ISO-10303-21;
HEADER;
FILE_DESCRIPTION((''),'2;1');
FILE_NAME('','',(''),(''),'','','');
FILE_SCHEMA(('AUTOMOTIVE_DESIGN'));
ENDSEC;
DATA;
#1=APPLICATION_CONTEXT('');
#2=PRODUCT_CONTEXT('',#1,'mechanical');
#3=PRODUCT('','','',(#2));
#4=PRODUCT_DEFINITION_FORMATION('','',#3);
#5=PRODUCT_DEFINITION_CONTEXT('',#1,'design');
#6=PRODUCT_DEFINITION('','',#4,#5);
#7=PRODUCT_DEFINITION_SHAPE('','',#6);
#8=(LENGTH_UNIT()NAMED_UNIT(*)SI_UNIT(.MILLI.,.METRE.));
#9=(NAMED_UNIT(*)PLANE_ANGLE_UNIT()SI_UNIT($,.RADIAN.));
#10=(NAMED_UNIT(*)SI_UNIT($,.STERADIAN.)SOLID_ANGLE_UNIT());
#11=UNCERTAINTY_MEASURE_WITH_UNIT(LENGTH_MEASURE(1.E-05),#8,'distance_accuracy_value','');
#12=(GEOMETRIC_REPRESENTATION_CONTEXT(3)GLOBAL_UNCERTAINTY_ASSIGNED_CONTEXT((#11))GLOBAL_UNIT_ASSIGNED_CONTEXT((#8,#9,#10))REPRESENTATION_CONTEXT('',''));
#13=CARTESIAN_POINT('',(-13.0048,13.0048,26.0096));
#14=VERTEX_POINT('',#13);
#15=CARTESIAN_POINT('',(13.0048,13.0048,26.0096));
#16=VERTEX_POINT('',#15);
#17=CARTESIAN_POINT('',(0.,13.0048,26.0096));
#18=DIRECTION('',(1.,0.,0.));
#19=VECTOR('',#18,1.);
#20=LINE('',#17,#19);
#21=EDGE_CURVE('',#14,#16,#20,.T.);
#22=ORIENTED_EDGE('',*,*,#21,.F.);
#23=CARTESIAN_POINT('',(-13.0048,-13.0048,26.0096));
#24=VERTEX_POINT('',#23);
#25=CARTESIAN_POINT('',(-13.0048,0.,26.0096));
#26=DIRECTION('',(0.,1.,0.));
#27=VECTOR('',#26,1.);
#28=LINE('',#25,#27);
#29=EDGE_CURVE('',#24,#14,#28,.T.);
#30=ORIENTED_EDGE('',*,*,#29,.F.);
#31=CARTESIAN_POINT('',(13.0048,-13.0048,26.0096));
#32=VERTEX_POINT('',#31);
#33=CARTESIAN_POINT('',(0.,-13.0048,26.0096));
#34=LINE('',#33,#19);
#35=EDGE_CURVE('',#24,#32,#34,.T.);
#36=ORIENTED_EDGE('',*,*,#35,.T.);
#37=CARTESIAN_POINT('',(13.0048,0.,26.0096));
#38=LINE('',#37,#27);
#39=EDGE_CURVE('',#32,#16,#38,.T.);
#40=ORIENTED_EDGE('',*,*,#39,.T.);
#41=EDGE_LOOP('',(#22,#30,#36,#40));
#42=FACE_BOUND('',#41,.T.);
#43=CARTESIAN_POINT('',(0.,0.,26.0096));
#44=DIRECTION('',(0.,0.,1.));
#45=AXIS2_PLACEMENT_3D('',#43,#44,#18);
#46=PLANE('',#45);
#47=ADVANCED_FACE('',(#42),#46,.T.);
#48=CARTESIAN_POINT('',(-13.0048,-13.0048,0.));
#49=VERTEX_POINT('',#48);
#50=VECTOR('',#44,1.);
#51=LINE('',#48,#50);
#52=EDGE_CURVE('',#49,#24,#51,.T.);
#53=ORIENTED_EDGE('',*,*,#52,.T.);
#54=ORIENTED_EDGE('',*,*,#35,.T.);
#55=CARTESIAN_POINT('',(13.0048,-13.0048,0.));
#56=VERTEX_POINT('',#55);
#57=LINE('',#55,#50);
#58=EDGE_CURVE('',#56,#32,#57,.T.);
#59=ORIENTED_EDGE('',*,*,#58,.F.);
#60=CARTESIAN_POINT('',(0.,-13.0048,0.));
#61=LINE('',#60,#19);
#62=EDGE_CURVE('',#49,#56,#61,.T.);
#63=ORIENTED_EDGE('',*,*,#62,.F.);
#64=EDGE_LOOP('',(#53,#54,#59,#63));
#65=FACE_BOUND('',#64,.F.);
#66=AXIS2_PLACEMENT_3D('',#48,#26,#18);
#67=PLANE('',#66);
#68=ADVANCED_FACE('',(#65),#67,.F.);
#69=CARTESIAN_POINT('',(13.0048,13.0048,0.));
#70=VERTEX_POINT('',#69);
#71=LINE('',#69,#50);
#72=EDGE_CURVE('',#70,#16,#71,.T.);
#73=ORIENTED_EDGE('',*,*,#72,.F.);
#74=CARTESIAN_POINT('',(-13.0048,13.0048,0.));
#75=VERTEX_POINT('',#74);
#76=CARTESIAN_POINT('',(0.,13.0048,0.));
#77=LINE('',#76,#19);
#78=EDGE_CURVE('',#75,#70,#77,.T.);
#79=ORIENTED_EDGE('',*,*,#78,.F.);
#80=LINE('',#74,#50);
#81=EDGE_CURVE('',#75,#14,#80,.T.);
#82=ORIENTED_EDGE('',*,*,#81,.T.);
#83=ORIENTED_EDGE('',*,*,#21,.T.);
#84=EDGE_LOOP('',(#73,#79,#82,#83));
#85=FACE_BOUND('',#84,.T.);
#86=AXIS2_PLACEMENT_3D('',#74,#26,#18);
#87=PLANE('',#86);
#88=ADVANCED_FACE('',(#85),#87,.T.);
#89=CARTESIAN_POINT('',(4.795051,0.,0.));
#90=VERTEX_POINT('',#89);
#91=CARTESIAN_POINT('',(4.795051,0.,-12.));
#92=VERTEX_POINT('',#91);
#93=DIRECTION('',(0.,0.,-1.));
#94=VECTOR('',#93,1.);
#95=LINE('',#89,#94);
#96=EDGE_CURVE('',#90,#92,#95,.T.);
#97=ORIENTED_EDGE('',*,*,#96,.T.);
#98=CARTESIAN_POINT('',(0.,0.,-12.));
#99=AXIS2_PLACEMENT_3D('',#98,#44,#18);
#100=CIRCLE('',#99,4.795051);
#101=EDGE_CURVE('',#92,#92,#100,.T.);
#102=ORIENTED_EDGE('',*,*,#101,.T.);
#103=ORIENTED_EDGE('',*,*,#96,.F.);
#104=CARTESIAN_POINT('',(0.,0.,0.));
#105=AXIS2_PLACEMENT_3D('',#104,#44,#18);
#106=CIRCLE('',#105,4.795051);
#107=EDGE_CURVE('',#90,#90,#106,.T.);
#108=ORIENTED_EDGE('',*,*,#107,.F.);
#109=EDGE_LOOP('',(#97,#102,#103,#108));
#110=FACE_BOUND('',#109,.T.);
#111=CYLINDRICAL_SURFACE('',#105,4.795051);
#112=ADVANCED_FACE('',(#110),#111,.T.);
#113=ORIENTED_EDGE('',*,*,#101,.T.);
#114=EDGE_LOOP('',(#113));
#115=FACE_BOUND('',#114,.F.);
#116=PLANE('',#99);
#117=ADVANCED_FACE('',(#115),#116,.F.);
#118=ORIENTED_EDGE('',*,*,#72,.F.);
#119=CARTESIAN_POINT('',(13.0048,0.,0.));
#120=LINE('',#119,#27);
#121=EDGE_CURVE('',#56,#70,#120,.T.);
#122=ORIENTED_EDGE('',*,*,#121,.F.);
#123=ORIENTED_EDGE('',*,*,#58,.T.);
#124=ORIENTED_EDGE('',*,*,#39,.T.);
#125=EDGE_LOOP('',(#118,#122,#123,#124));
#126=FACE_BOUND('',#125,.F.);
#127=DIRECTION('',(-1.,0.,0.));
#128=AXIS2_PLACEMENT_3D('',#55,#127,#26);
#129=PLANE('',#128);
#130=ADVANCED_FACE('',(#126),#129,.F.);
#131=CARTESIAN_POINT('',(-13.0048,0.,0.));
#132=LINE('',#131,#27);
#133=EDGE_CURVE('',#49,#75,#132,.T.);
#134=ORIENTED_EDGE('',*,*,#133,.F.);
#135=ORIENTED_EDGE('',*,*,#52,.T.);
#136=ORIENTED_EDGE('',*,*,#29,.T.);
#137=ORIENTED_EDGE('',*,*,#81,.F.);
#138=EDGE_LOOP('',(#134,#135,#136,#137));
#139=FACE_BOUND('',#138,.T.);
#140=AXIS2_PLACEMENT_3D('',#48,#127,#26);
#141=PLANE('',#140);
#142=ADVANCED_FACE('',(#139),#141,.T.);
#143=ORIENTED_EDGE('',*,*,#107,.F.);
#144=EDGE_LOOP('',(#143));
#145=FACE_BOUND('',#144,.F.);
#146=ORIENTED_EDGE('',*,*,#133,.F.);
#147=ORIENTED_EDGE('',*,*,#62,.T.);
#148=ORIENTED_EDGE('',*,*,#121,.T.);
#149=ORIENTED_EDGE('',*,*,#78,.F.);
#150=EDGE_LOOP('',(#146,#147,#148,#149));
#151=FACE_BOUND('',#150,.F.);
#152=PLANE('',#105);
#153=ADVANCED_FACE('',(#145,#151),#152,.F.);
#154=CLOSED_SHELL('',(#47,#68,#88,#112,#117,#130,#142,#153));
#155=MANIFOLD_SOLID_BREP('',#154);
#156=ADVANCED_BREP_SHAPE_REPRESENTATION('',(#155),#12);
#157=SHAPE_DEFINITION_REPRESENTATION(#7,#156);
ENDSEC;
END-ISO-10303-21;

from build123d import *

# Parameters (mm, degrees)
F0_W     = 26.0096
F0_H     = 26.0096
F1_DEPTH = 26.0096
F2_R     = 4.795051
F3_DEPTH = 1.2
F4_DEPTH = 12


with BuildPart() as f1:
    # F0 (on Top) → F1 (new body)
    with BuildSketch(Plane.XY):
        Rectangle(F0_W, F0_H)
    extrude(amount=F1_DEPTH)

    # F2 (on Top) → F3 (join)
    with BuildSketch(Plane.XY):
        Circle(F2_R)
    extrude(amount=-F3_DEPTH)

    # F2 (on Top) → F4 (join)
    with BuildSketch(Plane.XY):
        Circle(F2_R)
    extrude(amount=-F4_DEPTH)


solid = f1.part
